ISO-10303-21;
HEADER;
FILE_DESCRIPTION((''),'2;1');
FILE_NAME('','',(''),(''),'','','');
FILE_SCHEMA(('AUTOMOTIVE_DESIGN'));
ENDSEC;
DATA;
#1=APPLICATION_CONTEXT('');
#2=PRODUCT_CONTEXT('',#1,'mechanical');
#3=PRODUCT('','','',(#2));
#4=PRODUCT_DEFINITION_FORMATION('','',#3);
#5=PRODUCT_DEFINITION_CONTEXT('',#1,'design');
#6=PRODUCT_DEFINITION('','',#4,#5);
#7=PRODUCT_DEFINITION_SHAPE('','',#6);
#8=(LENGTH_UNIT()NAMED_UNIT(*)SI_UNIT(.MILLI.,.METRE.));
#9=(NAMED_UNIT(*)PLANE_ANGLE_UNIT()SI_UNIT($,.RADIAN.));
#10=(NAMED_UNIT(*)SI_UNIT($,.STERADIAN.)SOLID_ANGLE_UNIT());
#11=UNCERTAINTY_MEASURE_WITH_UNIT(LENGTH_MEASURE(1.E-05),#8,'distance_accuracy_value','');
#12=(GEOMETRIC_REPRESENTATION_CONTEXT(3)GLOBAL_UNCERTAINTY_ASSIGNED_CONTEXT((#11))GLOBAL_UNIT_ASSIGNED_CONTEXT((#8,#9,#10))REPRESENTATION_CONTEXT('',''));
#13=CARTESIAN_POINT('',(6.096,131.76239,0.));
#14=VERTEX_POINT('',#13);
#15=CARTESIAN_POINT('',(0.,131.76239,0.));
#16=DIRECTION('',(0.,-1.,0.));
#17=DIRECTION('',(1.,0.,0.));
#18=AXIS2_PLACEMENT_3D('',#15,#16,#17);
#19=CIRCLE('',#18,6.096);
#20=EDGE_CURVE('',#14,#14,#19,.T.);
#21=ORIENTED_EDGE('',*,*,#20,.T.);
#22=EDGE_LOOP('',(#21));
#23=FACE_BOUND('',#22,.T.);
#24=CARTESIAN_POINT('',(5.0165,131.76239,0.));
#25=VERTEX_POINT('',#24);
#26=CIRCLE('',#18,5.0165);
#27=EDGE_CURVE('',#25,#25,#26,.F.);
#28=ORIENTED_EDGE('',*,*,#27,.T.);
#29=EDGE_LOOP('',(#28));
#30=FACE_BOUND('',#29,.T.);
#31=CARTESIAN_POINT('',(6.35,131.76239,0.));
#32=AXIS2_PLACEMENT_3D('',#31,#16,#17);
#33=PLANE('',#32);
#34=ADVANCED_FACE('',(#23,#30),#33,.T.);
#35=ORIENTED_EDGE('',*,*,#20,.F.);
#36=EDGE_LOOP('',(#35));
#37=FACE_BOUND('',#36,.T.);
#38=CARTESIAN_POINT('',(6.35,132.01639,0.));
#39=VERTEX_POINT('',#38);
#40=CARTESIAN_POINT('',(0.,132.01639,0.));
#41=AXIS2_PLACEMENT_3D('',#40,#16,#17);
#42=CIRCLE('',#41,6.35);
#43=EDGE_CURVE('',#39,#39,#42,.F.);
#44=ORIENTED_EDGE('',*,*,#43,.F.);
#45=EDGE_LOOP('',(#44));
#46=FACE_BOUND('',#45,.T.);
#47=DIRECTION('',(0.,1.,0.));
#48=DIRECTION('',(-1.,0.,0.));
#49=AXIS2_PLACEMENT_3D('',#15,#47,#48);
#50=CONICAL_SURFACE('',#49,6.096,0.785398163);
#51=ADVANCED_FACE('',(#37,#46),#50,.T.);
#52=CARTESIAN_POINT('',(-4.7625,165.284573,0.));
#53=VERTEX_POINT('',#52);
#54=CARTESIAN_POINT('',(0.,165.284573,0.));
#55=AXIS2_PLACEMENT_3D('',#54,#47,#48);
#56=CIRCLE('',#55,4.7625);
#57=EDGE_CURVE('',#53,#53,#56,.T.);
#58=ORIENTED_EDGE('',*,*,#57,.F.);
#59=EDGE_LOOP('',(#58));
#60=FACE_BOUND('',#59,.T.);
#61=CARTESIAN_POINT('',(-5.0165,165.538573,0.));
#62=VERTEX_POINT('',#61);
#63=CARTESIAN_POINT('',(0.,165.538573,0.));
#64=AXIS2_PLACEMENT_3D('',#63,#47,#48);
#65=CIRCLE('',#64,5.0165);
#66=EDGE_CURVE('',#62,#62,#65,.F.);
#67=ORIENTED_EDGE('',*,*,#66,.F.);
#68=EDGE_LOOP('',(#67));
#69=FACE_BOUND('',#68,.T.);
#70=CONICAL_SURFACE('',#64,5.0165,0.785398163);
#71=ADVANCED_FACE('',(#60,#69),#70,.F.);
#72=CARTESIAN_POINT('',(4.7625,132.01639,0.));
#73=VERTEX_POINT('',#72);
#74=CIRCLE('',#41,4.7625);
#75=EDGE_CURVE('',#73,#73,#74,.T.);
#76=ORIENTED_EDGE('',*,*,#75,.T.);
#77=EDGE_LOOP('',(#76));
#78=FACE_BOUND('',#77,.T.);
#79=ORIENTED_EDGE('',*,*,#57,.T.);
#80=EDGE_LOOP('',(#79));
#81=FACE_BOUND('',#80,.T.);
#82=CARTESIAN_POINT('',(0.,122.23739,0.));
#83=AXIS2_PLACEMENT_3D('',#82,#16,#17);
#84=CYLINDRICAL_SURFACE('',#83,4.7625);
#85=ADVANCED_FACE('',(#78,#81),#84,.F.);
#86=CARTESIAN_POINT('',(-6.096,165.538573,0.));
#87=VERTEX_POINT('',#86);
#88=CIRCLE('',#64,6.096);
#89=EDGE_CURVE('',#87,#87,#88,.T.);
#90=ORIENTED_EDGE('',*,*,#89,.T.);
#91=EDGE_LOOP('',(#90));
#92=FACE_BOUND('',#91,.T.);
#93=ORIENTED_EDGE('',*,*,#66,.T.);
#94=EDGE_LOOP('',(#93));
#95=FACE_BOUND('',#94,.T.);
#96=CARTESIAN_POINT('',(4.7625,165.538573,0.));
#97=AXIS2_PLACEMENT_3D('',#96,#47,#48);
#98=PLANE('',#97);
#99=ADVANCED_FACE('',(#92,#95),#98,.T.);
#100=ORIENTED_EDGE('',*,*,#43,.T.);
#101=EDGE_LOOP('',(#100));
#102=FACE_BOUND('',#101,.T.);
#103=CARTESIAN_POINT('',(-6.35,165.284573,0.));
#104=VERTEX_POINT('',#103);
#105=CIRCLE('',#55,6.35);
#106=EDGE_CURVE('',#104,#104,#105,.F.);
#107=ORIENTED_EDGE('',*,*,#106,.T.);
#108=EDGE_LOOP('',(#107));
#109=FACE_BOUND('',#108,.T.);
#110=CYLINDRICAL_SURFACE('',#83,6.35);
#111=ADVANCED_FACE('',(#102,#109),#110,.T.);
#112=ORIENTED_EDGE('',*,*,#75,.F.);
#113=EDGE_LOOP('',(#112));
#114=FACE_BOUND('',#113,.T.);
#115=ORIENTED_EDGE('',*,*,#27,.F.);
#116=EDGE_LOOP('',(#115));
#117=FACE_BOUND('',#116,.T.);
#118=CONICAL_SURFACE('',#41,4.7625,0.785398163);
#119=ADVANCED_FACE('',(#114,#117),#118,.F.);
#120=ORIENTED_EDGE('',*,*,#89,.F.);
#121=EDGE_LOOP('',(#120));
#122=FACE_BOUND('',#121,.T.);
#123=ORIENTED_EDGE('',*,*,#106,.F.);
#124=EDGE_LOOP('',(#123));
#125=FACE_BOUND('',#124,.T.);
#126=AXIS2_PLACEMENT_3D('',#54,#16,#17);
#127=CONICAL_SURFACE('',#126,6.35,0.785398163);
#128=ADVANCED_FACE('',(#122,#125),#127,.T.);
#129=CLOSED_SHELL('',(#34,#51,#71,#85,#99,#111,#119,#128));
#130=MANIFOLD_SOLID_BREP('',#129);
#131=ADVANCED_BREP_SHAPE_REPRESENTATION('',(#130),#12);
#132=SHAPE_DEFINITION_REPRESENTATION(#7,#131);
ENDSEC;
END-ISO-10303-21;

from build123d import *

# Parameters (mm, degrees)
SKETCH1_W     = 1.5875
SKETCH1_H     = 33.776182894
CHAMFER1_SIZE = 0.254


with BuildPart() as part:
    # Sketch1 → Revolve1 (revolve)
    with BuildSketch(Plane.XY):
        with Locations((5.55625, 148.650481377)):
            Rectangle(SKETCH1_W, SKETCH1_H)
    revolve(axis=Axis((0, 122.23738993, 0), (0, 1, 0)))

    # Chamfer1
    chamfer1_edges = [part.edges().sort_by_distance(p)[0] for p in [
        (-6.35, 131.76238993, 0),
        (-6.350000001, 165.538572824, 0),
        (-4.762500001, 165.538572824, 0),
        (-4.7625, 131.76238993, 0),
    ]]
    chamfer(chamfer1_edges, length=CHAMFER1_SIZE)


solid = part.part
